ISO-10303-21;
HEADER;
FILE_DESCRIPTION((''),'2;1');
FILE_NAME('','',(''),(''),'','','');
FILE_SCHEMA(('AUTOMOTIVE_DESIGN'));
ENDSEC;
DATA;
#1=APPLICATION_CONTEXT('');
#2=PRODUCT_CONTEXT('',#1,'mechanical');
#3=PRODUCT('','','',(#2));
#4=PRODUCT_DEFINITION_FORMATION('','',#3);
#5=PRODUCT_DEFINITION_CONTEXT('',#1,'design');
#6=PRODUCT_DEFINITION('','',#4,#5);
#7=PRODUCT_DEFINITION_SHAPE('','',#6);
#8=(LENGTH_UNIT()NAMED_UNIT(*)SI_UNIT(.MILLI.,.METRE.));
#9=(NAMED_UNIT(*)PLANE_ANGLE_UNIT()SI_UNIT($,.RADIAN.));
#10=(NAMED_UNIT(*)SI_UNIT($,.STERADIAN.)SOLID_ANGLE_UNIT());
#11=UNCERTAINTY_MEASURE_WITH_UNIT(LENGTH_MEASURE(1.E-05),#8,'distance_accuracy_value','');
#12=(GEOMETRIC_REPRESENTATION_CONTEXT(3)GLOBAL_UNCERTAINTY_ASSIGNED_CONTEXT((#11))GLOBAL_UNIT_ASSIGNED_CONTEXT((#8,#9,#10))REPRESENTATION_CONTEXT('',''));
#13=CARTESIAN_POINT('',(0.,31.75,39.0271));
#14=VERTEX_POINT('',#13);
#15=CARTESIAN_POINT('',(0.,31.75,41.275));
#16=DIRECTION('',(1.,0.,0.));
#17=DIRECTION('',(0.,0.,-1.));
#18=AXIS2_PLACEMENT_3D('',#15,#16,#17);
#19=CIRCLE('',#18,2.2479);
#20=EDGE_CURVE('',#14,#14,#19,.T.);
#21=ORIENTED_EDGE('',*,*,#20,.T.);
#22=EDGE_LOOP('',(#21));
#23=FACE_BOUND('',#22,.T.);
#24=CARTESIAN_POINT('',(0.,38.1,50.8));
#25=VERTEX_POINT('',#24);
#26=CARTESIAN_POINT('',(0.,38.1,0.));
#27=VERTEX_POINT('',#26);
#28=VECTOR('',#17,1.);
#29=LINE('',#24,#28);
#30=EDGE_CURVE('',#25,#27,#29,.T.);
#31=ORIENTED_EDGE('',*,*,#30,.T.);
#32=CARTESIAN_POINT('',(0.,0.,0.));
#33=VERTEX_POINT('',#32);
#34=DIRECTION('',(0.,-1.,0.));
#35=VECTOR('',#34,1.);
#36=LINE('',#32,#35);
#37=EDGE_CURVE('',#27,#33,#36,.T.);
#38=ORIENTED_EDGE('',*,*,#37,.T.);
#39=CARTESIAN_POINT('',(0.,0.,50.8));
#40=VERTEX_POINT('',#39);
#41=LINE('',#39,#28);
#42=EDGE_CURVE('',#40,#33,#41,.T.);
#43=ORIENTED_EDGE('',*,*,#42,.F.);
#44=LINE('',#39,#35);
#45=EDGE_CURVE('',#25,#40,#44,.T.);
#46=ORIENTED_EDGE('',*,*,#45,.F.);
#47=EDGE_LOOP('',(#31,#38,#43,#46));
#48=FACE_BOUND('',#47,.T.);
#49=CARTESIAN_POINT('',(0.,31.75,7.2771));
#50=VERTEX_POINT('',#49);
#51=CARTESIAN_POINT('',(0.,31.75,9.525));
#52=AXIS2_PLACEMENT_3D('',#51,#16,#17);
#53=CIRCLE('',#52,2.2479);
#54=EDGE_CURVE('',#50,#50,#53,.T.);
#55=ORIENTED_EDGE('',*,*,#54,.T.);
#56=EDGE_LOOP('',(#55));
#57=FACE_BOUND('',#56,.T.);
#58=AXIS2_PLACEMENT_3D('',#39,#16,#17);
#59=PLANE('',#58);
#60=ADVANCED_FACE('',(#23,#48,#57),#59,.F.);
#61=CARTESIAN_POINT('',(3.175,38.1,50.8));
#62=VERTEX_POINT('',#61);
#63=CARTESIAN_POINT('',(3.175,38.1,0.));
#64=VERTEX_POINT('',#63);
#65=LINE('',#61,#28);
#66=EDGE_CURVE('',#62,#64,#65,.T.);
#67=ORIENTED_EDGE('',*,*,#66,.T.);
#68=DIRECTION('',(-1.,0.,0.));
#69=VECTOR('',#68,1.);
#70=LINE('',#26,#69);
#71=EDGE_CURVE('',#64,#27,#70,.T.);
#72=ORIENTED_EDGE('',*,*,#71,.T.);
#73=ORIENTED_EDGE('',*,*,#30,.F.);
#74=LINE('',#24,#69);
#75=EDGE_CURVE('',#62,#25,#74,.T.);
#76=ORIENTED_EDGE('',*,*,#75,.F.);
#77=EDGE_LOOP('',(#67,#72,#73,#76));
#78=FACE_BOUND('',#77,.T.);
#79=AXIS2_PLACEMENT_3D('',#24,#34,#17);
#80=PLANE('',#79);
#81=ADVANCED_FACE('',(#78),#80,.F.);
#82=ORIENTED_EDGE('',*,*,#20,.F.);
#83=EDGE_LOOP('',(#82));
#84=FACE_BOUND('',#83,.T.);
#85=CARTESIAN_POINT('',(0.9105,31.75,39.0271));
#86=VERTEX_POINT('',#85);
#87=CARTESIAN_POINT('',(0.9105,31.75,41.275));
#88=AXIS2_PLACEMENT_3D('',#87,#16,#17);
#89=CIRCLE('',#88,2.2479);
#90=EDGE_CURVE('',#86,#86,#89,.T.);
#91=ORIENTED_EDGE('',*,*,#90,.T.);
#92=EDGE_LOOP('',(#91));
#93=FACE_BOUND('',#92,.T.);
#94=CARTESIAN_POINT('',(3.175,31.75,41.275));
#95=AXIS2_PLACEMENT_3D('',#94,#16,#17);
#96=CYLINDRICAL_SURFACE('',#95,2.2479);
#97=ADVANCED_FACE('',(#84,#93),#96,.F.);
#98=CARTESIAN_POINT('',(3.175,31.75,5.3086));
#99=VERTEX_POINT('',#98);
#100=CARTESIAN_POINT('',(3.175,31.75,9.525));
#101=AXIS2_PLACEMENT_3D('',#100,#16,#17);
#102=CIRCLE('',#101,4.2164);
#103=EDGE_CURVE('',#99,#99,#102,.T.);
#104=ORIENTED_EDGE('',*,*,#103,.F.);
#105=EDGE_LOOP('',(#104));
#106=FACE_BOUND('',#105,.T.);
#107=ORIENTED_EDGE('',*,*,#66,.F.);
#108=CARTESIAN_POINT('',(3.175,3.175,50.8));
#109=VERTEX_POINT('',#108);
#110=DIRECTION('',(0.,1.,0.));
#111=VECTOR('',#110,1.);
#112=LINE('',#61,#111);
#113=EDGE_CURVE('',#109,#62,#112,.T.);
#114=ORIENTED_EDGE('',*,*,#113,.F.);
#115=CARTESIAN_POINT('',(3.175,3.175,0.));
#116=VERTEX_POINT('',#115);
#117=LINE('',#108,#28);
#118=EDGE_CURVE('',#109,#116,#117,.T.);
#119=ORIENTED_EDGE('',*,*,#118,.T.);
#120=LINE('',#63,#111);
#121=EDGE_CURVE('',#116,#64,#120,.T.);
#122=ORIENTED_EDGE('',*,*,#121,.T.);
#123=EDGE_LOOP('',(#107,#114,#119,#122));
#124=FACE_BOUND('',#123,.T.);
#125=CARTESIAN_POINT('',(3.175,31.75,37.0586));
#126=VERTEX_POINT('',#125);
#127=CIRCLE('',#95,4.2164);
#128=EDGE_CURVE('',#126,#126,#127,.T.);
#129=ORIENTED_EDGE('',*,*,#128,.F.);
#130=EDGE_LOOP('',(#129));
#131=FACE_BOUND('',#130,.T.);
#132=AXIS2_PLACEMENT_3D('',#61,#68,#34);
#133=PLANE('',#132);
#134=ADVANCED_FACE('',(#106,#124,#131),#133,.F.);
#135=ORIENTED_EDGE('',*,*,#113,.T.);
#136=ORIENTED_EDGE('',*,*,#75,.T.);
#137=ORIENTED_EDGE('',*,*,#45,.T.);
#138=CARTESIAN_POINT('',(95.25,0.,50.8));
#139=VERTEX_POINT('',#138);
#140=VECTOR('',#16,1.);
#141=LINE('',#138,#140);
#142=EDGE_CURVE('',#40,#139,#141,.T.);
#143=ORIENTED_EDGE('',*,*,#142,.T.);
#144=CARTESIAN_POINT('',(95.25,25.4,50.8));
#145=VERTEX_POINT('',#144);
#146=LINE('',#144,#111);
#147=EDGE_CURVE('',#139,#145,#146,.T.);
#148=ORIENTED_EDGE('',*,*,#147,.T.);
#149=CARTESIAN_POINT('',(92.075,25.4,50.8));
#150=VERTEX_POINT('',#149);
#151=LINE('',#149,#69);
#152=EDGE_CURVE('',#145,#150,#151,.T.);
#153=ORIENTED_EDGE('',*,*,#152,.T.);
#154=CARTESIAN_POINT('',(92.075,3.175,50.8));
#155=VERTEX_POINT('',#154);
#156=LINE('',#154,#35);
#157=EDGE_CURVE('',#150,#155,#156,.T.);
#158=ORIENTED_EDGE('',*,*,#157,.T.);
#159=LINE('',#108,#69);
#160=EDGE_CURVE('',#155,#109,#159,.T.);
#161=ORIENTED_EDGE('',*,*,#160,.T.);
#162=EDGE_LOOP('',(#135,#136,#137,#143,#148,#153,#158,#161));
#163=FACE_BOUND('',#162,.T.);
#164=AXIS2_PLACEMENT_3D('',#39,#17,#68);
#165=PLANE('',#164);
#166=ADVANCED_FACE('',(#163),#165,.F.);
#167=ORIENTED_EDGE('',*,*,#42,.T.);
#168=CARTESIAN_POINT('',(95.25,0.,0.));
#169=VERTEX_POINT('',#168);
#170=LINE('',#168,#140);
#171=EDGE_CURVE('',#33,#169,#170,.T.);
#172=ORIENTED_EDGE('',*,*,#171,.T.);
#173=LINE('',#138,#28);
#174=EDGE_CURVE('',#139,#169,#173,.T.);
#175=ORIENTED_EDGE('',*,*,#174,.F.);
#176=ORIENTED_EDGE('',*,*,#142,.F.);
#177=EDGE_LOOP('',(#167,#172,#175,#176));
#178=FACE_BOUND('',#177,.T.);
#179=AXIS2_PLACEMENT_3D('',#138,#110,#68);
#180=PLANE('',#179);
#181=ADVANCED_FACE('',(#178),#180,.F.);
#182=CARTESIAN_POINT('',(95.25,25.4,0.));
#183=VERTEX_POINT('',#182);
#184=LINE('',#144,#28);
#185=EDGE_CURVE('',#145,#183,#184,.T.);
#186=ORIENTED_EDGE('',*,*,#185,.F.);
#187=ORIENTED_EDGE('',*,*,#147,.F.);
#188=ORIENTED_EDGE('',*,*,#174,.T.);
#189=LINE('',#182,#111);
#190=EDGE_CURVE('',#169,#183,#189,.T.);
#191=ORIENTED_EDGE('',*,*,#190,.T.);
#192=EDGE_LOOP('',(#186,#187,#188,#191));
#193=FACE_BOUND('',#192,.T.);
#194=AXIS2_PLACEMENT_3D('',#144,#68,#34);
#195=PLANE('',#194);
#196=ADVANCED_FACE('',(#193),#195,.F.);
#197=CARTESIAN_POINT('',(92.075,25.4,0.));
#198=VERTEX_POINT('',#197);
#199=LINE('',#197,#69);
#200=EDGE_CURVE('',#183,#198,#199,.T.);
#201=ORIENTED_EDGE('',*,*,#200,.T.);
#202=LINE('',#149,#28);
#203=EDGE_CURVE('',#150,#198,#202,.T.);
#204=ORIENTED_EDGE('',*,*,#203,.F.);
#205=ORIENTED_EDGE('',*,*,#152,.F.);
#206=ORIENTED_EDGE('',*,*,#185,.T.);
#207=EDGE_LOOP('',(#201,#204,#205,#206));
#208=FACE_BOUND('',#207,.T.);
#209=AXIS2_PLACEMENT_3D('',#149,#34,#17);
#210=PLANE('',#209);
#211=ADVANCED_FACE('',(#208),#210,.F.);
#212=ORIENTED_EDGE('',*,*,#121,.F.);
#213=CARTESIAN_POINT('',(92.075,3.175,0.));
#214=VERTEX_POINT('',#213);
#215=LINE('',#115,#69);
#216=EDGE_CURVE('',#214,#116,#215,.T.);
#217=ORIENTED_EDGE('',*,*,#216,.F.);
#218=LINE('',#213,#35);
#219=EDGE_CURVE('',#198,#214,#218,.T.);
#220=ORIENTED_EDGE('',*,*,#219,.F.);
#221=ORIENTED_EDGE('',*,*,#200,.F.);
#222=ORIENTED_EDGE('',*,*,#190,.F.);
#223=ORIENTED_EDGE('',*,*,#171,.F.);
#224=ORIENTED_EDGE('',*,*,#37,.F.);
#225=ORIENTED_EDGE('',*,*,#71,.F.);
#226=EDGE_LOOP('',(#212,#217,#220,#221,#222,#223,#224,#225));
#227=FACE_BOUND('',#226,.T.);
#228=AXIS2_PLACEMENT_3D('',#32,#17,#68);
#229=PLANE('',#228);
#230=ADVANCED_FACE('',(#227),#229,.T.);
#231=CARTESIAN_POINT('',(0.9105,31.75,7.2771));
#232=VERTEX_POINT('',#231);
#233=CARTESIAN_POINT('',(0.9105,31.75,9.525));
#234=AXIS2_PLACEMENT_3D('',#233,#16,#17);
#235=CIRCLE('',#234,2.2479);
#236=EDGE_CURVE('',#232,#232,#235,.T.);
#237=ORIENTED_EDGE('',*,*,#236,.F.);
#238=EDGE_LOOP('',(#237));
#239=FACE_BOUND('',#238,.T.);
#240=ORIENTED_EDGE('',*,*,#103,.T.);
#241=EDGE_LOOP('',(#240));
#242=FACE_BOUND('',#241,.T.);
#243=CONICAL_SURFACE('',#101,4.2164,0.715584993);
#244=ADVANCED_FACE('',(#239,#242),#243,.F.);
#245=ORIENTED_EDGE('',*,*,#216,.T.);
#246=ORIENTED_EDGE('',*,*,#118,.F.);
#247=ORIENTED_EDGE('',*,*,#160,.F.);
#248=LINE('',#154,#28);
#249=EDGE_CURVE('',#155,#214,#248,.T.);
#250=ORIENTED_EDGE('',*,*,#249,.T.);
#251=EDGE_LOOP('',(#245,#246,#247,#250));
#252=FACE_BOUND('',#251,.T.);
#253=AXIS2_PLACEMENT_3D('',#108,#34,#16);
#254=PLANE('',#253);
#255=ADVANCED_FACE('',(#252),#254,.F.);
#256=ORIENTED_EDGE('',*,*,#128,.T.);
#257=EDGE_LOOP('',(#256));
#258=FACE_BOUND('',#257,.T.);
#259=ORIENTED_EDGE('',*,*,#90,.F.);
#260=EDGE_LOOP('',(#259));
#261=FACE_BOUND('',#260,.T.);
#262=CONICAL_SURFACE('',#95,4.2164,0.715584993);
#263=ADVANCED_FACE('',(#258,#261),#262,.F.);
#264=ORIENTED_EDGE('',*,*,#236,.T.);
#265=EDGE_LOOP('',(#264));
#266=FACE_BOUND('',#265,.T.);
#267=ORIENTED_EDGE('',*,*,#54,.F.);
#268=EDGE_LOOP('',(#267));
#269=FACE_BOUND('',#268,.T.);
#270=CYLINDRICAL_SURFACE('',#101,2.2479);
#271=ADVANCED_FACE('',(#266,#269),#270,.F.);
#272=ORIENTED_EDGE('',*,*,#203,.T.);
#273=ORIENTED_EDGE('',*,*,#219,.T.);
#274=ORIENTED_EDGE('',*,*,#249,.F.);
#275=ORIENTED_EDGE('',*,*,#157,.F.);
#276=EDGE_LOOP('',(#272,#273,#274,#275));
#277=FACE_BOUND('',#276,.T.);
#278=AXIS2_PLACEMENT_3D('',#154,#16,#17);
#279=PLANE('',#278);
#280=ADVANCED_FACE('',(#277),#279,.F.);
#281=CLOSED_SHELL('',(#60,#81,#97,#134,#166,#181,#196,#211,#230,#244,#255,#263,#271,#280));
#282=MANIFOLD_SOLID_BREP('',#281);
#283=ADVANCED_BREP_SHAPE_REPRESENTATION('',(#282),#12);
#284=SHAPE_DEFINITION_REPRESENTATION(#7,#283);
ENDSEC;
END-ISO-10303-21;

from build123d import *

# Parameters (mm, degrees)
BOSS_EXTRUDE1_DEPTH                           = 50.8
CSK_FOR_8_FLAT_HEAD_MACHINE_SCREW1_AT_2_COUNT = 2
CSK_FOR_8_FLAT_HEAD_MACHINE_SCREW1_AT_2_PITCH = 31.75


with BuildPart() as part:
    # Sketch1 → Boss-Extrude1 (new body)
    with BuildSketch(Plane.XY):
        Polygon((0, 0), (0, 38.1), (3.175, 38.1), (3.175, 3.175), (92.075, 3.175), (92.075, 25.4), (95.25, 25.4), (95.25, 0), align=None)
    extrude(amount=BOSS_EXTRUDE1_DEPTH)

    # Sketch3 → CSK for #8 Flat Head Machine Screw1 (revolve, cut)
    with BuildSketch(Plane(origin=(3.175, 31.75, 41.275), x_dir=(0, 0, -1), z_dir=(0, 1, 0))):
        Polygon((0, 0), (0, 3.175), (2.2479, 3.175), (2.2479, 2.26450021), (4.2164, 0), align=None)
    csk_for_8_flat_head_machine_screw1 = revolve(axis=Axis((9.525, 31.75, 41.275), (-1, 0, 0)), mode=Mode.SUBTRACT)

    # CSK for #8 Flat Head Machine Screw1 at 2: CSK for #8 Flat Head Machine Screw1 ×2
    with Locations(*[(0, 0, -i * CSK_FOR_8_FLAT_HEAD_MACHINE_SCREW1_AT_2_PITCH) for i in range(1, CSK_FOR_8_FLAT_HEAD_MACHINE_SCREW1_AT_2_COUNT)]):
        add(csk_for_8_flat_head_machine_screw1, mode=Mode.SUBTRACT)


solid = part.part
